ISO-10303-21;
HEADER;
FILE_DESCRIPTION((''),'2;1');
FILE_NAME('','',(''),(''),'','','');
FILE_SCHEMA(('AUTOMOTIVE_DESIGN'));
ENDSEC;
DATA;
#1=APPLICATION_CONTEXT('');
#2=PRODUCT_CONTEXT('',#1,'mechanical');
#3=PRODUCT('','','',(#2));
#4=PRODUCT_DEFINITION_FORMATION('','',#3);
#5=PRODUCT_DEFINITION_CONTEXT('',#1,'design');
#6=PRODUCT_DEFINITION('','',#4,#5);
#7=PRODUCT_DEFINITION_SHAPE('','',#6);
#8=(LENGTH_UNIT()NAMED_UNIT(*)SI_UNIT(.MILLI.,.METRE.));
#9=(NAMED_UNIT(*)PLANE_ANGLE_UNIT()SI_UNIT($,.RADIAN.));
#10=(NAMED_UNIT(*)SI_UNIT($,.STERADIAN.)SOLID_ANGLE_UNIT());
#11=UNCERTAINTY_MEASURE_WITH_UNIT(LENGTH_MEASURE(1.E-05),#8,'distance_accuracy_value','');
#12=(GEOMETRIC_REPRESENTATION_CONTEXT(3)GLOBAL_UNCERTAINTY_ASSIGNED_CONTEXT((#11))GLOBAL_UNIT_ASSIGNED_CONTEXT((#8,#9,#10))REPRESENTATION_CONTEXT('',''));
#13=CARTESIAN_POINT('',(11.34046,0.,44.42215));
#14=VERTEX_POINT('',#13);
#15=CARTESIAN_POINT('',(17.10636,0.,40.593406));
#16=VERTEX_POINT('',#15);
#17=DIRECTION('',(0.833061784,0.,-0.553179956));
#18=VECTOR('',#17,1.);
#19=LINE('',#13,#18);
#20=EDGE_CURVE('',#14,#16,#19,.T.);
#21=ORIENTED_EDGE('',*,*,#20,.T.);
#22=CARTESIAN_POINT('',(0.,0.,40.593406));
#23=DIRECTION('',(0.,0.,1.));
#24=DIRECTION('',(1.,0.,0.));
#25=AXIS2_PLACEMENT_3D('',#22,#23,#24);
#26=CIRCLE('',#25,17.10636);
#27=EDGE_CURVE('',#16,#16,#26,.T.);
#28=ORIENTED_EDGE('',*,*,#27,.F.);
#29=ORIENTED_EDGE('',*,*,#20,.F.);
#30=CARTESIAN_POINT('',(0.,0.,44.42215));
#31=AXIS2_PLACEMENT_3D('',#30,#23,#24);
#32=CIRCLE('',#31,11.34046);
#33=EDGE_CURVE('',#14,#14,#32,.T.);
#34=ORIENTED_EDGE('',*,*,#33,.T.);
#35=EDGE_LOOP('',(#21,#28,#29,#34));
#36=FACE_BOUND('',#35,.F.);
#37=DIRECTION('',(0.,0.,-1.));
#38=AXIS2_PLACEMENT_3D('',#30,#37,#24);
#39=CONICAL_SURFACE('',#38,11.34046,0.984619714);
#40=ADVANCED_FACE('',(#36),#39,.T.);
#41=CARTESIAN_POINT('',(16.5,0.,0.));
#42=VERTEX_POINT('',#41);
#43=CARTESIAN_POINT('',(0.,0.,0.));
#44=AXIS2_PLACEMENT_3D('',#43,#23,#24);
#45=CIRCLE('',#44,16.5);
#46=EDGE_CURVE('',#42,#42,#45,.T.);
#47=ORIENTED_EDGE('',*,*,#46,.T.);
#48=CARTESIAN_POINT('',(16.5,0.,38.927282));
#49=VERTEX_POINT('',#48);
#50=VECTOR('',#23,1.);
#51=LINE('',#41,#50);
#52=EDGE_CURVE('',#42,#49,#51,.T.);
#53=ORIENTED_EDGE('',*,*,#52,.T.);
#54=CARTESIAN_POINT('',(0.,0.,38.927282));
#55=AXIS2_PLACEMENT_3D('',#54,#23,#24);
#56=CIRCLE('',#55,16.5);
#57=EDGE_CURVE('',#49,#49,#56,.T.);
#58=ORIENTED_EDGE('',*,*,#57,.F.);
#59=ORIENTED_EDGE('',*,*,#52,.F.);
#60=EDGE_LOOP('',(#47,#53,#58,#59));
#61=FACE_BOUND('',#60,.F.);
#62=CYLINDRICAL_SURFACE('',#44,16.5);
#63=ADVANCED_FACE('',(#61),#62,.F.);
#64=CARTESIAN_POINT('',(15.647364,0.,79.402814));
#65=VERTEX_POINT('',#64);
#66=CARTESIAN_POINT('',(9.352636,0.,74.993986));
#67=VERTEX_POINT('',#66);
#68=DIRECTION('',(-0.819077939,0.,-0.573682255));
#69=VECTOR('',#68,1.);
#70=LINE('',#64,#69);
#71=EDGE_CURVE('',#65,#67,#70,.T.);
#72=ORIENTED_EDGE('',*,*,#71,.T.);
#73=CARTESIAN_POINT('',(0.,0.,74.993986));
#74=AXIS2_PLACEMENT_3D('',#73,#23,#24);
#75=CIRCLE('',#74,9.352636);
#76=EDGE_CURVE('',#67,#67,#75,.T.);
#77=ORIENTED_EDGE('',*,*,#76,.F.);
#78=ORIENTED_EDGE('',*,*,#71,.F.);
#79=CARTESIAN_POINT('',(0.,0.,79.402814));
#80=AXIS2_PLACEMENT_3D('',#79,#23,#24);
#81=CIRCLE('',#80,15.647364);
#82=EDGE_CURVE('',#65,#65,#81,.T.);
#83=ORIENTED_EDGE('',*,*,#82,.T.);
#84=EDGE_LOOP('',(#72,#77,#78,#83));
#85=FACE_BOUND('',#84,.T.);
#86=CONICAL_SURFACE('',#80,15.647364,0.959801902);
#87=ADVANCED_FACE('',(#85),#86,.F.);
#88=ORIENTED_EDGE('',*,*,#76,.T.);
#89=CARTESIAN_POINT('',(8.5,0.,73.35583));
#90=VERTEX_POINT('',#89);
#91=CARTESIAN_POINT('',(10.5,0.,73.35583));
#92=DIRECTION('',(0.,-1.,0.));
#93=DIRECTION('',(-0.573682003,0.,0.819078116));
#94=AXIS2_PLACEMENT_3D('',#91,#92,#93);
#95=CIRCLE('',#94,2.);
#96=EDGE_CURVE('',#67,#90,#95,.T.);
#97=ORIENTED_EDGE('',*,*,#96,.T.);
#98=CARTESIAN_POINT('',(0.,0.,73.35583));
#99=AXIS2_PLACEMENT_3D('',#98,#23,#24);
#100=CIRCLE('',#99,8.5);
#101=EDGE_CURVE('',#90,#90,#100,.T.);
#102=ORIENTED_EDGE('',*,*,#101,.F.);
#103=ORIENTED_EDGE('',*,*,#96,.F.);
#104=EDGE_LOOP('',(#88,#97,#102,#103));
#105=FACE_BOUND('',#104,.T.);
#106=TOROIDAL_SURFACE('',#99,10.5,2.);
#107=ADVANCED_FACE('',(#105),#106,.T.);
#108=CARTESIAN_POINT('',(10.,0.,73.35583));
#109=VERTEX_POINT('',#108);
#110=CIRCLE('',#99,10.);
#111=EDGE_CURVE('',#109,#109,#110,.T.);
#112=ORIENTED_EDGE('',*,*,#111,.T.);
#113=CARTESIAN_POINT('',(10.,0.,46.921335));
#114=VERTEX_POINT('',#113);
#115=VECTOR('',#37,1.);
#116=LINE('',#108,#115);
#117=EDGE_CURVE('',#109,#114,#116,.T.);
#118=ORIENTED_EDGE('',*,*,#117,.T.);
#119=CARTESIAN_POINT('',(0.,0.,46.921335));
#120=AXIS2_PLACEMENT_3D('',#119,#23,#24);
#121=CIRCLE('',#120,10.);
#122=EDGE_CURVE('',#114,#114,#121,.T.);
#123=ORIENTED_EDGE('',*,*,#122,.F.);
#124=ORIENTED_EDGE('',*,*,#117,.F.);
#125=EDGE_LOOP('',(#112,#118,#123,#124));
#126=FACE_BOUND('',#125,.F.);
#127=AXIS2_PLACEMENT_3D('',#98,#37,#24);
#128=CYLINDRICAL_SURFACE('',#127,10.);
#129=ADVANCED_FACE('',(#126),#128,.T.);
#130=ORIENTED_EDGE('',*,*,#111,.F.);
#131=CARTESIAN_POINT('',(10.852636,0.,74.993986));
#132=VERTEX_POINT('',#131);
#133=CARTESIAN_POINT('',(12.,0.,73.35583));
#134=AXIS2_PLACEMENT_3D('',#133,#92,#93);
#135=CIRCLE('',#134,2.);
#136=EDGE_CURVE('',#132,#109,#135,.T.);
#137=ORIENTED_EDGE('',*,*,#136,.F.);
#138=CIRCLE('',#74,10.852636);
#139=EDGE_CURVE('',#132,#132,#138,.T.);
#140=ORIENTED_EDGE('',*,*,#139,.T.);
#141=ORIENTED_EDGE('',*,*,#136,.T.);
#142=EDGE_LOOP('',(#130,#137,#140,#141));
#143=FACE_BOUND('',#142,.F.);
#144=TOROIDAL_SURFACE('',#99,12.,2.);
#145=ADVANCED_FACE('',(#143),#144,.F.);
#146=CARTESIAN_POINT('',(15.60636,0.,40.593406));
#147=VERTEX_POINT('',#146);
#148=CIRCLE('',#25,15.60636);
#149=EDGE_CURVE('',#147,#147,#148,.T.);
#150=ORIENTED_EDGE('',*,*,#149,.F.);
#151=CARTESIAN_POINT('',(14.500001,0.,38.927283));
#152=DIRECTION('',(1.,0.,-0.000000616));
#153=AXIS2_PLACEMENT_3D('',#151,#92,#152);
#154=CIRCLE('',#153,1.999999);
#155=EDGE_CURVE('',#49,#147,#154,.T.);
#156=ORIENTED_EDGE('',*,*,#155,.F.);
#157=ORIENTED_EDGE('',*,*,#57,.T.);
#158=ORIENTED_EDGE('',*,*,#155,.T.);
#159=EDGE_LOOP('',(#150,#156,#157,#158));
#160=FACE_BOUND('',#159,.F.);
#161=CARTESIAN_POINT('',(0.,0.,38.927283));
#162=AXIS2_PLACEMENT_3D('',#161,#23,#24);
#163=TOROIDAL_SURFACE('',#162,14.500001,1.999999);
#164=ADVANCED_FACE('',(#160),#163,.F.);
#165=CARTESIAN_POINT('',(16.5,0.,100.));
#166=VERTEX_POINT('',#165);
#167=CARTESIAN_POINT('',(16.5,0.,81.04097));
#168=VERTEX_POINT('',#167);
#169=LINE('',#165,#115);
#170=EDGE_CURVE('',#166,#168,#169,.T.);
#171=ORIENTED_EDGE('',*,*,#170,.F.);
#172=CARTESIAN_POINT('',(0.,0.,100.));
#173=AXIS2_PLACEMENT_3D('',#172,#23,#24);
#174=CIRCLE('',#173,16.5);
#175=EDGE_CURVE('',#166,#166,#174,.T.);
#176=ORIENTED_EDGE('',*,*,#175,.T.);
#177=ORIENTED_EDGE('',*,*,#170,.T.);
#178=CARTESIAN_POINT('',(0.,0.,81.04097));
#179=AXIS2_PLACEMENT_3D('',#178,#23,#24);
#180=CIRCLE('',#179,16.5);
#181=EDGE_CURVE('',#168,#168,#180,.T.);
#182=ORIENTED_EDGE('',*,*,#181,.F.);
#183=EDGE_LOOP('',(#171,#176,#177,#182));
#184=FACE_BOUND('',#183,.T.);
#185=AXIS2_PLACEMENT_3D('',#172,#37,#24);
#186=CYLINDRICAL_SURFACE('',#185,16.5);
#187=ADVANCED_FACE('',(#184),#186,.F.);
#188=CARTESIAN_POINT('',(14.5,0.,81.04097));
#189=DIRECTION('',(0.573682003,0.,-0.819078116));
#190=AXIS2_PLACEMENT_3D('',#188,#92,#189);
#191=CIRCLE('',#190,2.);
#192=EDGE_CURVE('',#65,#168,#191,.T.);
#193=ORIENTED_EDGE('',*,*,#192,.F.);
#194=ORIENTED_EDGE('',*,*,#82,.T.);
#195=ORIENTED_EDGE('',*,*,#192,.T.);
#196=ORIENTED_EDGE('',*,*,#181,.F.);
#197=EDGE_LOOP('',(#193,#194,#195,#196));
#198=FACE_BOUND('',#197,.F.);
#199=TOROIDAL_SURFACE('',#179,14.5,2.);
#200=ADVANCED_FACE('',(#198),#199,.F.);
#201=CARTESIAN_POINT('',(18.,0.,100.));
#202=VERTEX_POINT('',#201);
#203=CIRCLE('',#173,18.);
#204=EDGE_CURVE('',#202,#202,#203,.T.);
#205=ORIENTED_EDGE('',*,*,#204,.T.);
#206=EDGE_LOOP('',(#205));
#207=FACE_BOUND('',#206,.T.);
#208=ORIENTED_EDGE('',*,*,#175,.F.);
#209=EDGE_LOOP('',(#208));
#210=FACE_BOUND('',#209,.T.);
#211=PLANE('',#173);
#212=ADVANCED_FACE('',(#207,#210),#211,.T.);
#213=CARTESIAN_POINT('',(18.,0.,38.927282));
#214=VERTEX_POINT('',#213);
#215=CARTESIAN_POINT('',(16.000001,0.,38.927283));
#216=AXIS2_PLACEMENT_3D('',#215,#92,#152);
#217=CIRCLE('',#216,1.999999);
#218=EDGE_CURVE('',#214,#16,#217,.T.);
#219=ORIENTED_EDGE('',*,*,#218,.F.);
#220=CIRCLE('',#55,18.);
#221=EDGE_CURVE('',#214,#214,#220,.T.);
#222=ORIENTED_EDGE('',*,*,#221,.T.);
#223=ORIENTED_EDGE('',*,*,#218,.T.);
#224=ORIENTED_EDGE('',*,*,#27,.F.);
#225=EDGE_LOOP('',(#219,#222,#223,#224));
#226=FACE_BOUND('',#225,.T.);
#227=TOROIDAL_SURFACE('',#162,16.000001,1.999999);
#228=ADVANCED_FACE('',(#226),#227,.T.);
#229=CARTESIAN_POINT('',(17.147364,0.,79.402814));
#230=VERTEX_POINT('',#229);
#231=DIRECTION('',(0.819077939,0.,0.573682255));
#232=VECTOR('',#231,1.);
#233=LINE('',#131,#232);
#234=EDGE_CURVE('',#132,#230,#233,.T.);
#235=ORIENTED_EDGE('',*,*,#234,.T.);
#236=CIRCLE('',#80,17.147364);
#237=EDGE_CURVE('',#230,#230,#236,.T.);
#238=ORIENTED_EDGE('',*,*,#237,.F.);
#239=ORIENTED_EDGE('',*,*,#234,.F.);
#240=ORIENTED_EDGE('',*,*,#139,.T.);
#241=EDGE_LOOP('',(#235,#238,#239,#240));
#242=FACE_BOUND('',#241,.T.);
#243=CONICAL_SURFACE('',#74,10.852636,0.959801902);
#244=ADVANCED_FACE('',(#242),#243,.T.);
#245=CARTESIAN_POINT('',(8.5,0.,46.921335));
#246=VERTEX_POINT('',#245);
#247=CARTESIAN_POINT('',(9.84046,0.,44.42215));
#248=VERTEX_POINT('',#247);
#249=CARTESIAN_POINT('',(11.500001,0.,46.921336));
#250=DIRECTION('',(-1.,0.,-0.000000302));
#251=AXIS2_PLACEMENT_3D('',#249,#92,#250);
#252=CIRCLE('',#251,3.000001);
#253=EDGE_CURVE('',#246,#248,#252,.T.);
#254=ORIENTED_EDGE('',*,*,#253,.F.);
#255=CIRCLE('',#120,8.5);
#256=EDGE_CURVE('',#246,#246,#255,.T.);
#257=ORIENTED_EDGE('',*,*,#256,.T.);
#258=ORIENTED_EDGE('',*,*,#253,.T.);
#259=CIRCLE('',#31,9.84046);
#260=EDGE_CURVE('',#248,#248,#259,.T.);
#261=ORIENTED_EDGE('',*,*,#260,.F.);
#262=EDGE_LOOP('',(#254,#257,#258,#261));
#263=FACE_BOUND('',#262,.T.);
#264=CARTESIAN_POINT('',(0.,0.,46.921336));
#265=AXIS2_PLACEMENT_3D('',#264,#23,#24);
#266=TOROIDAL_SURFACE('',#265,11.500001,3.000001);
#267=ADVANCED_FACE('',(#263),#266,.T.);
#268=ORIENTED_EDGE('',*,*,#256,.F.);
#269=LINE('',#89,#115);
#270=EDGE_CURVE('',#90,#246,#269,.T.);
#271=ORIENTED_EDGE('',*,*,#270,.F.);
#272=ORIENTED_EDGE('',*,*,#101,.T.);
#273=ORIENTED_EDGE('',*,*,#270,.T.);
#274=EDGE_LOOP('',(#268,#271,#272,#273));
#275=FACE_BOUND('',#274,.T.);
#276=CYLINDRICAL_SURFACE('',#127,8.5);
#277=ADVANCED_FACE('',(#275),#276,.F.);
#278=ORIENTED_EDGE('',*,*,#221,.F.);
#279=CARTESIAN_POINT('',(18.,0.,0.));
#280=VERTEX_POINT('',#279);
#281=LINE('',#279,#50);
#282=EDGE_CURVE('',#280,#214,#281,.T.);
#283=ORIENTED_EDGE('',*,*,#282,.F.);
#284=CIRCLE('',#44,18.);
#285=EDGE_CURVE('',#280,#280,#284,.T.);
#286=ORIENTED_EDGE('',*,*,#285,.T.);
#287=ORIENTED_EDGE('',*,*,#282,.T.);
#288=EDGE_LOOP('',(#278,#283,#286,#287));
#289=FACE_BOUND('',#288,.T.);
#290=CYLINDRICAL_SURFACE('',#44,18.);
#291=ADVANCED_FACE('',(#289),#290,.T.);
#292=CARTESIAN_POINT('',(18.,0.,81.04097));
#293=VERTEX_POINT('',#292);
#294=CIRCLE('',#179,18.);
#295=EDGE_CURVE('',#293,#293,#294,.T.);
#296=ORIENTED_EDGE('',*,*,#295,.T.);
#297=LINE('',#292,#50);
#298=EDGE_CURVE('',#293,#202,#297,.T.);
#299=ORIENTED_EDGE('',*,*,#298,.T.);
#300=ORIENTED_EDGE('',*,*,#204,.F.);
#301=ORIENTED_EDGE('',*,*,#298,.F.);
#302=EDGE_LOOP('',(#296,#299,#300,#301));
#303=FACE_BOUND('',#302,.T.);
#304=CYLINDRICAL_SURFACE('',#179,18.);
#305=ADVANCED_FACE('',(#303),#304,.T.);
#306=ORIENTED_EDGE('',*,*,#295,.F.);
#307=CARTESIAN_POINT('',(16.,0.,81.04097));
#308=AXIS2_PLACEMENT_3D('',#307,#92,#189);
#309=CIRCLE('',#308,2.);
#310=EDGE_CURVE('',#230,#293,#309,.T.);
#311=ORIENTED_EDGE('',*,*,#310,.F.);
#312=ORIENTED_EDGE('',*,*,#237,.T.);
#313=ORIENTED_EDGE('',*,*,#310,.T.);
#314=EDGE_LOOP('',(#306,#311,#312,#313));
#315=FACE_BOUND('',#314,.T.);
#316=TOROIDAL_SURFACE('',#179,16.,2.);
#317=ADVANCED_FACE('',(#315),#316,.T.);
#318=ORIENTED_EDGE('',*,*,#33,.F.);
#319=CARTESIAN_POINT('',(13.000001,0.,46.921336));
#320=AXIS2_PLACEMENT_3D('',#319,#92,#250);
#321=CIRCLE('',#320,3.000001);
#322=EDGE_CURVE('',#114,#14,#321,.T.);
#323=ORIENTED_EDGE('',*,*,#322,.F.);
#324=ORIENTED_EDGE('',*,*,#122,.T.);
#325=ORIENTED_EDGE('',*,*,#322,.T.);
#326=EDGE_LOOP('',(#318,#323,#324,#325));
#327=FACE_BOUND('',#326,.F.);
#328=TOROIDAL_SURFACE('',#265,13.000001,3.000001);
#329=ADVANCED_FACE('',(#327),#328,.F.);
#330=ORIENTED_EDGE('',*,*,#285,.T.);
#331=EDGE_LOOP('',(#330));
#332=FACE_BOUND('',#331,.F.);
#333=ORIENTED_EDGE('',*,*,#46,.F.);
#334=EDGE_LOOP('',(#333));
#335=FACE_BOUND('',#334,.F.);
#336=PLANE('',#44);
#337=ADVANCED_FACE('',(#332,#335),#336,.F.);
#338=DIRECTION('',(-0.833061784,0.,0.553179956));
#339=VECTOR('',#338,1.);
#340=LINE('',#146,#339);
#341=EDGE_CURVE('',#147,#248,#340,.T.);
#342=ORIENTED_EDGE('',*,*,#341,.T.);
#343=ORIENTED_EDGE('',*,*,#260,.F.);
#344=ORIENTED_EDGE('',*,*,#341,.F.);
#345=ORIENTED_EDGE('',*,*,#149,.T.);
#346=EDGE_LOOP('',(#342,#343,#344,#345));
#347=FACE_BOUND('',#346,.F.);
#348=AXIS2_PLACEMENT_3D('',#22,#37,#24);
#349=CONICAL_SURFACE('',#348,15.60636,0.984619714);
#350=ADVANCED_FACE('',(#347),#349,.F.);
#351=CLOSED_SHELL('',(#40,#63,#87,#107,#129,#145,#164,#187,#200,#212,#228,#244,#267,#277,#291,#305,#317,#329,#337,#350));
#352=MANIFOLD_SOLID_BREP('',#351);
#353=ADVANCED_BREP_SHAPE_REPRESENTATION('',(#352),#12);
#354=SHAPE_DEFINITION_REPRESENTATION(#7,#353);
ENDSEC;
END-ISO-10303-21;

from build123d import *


with BuildPart() as part:
    # Sketch → Revolve (revolve)
    with BuildSketch(Plane.XZ):
        with BuildLine():
            Line((18, 0), (18, 38.927282))
            ThreePointArc((18, 38.927282), (17.762487, 39.872608), (17.10636, 40.593406))
            Line((11.34046, 44.42215), (17.10636, 40.593406))
            ThreePointArc((10, 46.921335), (10.35627, 45.503347), (11.34046, 44.42215))
            Line((10, 73.35583), (10, 46.921335))
            ThreePointArc((10.852636, 74.993986), (10.225919, 74.279213), (10, 73.35583))
            Line((10.852636, 74.993986), (17.147364, 79.402814))
            ThreePointArc((17.147364, 79.402814), (17.774081, 80.117587), (18, 81.04097))
            Line((18, 81.04097), (18, 100))
            Line((18, 100), (16.5, 100))
            Line((16.5, 100), (16.5, 81.04097))
            ThreePointArc((15.647364, 79.402814), (16.274081, 80.117587), (16.5, 81.04097))
            Line((15.647364, 79.402814), (9.352636, 74.993986))
            ThreePointArc((9.352636, 74.993986), (8.725919, 74.279213), (8.5, 73.35583))
            Line((8.5, 73.35583), (8.5, 46.921335))
            ThreePointArc((8.5, 46.921335), (8.85627, 45.503347), (9.84046, 44.42215))
            Line((15.60636, 40.593406), (9.84046, 44.42215))
            ThreePointArc((16.5, 38.927282), (16.262487, 39.872608), (15.60636, 40.593406))
            Line((16.5, 0), (16.5, 38.927282))
            Line((18, 0), (16.5, 0))
        make_face()
    revolve(axis=Axis((0, 0, 0), (0, 0, 1)))


solid = part.part
